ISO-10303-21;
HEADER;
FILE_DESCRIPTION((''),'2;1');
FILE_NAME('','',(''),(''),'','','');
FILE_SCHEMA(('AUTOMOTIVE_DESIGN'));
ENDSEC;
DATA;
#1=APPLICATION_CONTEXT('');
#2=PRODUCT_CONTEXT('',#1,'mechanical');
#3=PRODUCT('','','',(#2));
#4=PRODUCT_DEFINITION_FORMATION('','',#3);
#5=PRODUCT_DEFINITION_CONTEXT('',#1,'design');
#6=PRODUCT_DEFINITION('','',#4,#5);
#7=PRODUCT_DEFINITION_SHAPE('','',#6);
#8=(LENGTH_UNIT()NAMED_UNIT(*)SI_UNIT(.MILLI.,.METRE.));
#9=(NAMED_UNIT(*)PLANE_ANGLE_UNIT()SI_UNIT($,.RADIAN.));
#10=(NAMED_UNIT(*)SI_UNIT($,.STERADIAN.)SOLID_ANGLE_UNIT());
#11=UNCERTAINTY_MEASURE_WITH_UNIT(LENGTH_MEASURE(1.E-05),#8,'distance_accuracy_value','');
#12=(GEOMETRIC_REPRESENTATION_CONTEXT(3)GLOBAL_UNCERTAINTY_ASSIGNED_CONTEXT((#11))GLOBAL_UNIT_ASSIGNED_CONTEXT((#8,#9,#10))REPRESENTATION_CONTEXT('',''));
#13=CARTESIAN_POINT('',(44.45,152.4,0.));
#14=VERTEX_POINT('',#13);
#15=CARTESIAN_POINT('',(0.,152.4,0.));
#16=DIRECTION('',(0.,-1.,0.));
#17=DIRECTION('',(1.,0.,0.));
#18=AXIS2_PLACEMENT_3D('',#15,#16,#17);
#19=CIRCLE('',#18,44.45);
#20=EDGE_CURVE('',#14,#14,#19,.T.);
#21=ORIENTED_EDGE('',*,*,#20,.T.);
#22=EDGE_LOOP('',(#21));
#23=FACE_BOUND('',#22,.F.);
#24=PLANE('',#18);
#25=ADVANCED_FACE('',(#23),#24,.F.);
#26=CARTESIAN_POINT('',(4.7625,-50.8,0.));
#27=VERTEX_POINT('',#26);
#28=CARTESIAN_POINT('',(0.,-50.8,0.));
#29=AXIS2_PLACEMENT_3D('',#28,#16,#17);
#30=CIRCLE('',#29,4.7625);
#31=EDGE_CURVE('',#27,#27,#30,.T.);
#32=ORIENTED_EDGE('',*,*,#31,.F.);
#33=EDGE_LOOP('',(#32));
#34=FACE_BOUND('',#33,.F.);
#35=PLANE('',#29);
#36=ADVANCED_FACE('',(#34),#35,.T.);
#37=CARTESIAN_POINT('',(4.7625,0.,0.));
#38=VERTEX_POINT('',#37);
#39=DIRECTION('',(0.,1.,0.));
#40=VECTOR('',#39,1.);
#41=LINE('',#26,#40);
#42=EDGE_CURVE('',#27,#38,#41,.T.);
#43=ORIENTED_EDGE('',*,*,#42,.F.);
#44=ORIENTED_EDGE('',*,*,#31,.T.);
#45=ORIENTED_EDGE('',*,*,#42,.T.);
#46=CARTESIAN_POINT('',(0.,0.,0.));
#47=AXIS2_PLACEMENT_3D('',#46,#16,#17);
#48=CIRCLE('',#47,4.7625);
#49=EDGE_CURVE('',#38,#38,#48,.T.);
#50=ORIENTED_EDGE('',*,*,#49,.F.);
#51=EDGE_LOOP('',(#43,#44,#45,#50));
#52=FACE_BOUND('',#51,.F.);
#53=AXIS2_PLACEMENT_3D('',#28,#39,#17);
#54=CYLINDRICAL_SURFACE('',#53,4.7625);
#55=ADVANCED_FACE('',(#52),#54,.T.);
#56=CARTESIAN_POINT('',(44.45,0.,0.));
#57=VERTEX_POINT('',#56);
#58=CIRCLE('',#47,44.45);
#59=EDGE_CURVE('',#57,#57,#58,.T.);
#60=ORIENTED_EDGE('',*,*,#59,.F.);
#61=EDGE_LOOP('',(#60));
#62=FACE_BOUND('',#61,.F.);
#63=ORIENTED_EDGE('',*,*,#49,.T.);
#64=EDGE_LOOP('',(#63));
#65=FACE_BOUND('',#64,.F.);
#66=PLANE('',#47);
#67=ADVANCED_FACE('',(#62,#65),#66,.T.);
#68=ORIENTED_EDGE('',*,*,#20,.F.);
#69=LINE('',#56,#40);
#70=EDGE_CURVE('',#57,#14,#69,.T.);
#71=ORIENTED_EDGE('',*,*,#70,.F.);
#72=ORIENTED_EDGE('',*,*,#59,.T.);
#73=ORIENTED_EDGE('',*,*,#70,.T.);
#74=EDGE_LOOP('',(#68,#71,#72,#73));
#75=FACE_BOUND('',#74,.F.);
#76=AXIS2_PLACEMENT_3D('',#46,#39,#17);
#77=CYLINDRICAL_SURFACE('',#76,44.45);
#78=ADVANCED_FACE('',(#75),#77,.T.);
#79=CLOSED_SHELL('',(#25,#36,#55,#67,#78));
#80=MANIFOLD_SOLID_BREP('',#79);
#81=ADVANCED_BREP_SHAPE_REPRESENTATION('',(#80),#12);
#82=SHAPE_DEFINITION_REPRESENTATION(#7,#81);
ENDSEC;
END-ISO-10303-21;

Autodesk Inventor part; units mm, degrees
ref_plane "YZ Plane" through (0, 0, 0) normal (1, 0, 0) x (0, 1, 0)
ref_plane "XZ Plane" through (0, 0, 0) normal (0, 1, 0) x (-1, 0, 0)
ref_plane "XY Plane" through (0, 0, 0) normal (0, 0, 1) x (1, 0, 0)
sketch "Sketch1" plane through (0, 0, 0) normal (0, 0, 1) x (1, 0, 0)
  line L0 (0, 0) -> (44.45, 0)
  line L1 (44.45, 0) -> (44.45, 152.4)
  line L2 (44.45, 152.4) -> (0, 152.4)
  line L3 (0, 152.4) -> (0, 0)
  line L4 (4.7625, 0) -> (0, 0)
  line L5 (0, 0) -> (0, -50.8)
  line L6 (0, -50.8) -> (4.7625, -50.8)
  line L7 (4.7625, -50.8) -> (4.7625, 0)
  dimension "d0" = 44.45
  dimension "d1" = 152.4
  dimension "d3" = 4.7625
  dimension "d4" = 50.8
revolve "Revolution1" add sketch "Sketch1" angle 360 about axis through (0, 152.4, 0) along (0, -1, 0)
properties part number "Spindle"
